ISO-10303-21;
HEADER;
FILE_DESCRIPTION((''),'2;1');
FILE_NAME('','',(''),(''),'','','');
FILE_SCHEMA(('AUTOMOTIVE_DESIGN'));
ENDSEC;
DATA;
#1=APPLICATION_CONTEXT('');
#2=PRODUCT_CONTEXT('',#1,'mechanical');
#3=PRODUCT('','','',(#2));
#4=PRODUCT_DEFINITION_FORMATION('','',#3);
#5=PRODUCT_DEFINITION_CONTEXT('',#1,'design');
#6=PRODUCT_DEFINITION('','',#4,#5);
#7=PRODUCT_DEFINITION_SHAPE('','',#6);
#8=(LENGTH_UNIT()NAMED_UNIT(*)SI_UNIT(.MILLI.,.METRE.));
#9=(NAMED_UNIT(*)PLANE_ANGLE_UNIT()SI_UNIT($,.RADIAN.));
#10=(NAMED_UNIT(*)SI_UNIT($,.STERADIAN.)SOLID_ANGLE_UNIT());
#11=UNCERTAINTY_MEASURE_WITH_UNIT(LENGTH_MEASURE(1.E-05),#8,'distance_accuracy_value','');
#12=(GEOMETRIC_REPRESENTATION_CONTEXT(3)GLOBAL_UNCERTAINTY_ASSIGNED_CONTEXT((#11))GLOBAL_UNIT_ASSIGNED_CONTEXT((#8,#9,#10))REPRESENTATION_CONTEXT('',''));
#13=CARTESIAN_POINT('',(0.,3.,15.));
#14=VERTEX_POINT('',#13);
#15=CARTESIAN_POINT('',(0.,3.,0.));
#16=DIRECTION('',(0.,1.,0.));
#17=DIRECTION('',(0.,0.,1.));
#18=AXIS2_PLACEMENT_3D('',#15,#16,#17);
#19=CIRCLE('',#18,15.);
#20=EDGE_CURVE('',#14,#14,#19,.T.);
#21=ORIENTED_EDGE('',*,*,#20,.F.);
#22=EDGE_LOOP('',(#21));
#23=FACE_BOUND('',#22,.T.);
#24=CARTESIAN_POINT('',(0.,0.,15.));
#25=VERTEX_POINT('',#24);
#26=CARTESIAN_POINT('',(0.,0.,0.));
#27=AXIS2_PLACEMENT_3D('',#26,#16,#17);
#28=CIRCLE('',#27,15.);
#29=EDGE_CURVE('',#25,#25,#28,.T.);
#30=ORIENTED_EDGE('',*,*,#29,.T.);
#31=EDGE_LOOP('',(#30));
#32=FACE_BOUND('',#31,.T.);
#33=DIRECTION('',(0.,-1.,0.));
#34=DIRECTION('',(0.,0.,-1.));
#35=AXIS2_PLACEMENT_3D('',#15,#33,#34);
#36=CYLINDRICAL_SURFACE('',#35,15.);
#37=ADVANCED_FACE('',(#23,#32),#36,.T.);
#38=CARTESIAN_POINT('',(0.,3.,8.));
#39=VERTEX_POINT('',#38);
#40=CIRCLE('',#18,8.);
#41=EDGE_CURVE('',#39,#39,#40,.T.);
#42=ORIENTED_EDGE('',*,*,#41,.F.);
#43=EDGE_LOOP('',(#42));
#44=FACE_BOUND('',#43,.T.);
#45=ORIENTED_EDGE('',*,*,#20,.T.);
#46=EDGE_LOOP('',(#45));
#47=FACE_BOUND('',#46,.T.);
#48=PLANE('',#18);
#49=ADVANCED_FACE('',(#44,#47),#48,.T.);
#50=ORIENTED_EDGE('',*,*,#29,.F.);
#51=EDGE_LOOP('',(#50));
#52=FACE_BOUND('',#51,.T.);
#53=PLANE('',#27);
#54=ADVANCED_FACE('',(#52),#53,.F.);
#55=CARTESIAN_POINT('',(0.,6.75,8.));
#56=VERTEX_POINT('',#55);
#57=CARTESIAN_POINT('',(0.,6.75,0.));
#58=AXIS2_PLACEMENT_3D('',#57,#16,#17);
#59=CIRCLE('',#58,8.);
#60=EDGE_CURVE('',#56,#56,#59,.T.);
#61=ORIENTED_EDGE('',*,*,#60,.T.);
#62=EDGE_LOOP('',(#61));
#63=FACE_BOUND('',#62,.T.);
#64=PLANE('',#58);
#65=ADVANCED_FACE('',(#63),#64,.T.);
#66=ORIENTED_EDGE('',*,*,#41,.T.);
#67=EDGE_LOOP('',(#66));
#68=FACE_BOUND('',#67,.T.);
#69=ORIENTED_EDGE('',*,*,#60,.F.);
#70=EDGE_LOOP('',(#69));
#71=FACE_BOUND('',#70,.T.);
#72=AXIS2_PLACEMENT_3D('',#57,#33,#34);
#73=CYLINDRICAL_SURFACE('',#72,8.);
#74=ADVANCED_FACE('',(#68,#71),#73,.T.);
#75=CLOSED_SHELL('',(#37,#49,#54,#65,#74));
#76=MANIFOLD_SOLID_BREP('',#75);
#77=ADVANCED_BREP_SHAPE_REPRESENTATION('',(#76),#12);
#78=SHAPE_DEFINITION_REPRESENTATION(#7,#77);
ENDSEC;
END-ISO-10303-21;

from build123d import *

# Parameters (mm, degrees)
SKETCH_1_R      = 15
EXTRUDE_1_DEPTH = 3
SKETCH_2_R      = 8
EXTRUDE_2_DEPTH = 3.75


with BuildPart() as part:
    # 草图1 → 凸台-拉伸1 (new body)
    with BuildSketch(Plane(origin=(0, 0, 0), x_dir=(1, 0, 0), z_dir=(0, 1, 0))):
        Circle(SKETCH_1_R)
    extrude(amount=EXTRUDE_1_DEPTH)

    # 草图2 → 凸台-拉伸2 (add)
    with BuildSketch(Plane(origin=(0, 3, 0), x_dir=(1, 0, 0), z_dir=(0, 1, 0))):
        Circle(SKETCH_2_R)
    extrude(amount=EXTRUDE_2_DEPTH)


solid = part.part
